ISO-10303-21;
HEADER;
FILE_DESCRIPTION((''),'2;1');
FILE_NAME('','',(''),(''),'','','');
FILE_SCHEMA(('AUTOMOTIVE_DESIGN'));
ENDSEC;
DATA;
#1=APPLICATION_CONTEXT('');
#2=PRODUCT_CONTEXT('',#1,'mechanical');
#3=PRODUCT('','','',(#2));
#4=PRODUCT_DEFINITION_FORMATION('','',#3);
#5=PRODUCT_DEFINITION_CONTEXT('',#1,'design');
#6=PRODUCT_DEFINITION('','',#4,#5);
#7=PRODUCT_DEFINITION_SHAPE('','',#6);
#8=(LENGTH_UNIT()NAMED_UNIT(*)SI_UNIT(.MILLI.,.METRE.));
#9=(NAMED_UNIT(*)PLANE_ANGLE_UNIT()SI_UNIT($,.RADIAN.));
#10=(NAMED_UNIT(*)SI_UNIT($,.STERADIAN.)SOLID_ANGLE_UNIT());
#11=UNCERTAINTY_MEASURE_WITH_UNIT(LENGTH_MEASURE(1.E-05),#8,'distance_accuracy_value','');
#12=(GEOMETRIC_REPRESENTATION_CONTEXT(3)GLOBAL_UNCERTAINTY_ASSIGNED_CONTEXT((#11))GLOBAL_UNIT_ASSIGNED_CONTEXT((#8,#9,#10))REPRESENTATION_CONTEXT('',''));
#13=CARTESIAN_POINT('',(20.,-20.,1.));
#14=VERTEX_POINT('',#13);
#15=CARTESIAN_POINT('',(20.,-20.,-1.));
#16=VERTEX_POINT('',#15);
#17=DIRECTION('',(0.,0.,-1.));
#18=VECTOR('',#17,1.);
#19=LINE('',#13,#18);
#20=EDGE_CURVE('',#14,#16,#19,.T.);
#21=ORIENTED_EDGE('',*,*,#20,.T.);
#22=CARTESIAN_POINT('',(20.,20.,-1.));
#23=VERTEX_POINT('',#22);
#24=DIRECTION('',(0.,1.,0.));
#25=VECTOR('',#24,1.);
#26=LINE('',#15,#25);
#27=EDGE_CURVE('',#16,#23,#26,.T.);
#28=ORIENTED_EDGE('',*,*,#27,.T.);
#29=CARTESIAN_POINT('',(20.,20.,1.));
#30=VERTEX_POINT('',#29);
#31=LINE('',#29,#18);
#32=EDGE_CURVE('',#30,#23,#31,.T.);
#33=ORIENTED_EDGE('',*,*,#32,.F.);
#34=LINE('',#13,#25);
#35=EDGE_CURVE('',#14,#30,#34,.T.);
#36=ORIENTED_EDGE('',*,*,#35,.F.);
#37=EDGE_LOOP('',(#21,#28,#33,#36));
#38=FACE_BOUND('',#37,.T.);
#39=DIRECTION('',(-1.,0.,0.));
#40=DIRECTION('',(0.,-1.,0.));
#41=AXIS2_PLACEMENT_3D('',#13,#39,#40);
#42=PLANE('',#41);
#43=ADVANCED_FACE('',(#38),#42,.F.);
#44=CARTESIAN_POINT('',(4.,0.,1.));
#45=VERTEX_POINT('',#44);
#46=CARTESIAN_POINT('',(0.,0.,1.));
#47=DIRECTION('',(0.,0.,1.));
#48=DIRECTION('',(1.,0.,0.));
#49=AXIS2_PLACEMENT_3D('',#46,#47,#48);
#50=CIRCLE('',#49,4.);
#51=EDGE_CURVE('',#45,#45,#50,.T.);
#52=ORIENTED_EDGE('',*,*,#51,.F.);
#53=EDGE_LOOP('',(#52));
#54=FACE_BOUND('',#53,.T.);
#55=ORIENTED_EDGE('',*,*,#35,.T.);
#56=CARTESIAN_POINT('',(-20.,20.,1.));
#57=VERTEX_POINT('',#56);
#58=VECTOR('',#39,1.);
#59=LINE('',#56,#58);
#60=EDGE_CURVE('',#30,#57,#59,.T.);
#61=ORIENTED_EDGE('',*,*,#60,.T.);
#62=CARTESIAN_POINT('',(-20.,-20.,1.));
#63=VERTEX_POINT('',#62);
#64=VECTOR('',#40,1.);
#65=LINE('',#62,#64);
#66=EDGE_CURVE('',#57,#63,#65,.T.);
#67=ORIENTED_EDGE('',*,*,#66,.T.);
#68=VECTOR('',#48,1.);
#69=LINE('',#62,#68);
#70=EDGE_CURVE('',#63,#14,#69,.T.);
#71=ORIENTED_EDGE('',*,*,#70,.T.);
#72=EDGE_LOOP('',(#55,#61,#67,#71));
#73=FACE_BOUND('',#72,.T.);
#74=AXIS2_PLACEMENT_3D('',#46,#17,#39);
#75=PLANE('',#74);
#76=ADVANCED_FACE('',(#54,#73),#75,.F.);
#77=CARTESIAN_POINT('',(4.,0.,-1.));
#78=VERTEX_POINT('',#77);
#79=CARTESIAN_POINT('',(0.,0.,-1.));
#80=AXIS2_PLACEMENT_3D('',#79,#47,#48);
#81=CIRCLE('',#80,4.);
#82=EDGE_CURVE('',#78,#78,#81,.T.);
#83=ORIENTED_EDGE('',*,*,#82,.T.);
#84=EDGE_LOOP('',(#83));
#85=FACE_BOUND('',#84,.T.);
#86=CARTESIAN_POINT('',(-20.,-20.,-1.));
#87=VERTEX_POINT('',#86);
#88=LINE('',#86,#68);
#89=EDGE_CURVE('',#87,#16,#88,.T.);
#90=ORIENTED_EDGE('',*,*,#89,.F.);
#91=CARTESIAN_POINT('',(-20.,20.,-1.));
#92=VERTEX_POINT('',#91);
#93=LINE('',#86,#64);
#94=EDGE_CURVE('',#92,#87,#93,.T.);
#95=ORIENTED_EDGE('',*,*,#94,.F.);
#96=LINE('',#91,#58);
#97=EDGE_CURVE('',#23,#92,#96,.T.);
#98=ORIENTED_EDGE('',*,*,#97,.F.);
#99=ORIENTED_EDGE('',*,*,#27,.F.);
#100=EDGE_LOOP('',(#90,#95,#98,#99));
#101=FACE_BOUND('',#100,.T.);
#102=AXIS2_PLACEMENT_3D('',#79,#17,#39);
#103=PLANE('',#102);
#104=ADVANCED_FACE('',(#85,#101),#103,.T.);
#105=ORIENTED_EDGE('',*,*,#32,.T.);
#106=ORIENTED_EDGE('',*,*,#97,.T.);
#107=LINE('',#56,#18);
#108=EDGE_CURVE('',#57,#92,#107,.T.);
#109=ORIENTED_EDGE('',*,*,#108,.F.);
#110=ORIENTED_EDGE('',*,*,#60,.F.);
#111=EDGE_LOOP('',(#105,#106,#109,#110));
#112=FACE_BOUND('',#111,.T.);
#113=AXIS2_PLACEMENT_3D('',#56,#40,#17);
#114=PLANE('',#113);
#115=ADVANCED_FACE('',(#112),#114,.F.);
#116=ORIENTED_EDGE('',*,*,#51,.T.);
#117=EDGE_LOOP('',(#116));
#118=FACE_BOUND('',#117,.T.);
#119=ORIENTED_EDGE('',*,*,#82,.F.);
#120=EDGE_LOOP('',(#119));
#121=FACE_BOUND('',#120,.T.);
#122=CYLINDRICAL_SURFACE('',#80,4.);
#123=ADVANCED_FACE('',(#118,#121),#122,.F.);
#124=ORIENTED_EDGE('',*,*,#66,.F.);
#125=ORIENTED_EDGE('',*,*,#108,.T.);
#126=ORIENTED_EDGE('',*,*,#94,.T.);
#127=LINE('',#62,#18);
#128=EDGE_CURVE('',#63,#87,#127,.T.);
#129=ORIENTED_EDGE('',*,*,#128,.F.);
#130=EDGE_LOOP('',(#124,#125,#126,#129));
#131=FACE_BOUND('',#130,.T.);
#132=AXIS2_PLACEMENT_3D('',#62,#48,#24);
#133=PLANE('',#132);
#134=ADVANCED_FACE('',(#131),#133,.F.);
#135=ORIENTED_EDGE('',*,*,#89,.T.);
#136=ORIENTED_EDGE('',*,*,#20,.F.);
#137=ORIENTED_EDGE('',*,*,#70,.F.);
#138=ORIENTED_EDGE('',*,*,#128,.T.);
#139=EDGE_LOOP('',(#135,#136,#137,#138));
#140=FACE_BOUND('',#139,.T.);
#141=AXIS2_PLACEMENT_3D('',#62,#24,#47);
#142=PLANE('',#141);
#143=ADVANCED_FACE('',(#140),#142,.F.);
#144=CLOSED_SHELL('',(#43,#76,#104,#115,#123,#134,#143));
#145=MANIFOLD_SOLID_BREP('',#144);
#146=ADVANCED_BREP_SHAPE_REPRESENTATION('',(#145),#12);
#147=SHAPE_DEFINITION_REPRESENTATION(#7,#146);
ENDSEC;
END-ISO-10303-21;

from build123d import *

# Parameters (mm, degrees)
SKETCH1_W           = 40
SKETCH1_H           = 40
BOSS_EXTRUDE1_DEPTH = 1
SKETCH2_R           = 4
CUT_EXTRUDE1_DEPTH  = 29.354893758


with BuildPart() as part:
    # Sketch1 → Boss-Extrude1 (new, symmetric)
    with BuildSketch(Plane.XY):
        Rectangle(SKETCH1_W, SKETCH1_H)
    extrude(amount=BOSS_EXTRUDE1_DEPTH, both=True)

    # Sketch2 → Cut-Extrude1 (cut, through all)
    with BuildSketch(Plane.XY.offset(1)):
        Circle(SKETCH2_R)
    extrude(amount=-CUT_EXTRUDE1_DEPTH, mode=Mode.SUBTRACT)


solid = part.part
